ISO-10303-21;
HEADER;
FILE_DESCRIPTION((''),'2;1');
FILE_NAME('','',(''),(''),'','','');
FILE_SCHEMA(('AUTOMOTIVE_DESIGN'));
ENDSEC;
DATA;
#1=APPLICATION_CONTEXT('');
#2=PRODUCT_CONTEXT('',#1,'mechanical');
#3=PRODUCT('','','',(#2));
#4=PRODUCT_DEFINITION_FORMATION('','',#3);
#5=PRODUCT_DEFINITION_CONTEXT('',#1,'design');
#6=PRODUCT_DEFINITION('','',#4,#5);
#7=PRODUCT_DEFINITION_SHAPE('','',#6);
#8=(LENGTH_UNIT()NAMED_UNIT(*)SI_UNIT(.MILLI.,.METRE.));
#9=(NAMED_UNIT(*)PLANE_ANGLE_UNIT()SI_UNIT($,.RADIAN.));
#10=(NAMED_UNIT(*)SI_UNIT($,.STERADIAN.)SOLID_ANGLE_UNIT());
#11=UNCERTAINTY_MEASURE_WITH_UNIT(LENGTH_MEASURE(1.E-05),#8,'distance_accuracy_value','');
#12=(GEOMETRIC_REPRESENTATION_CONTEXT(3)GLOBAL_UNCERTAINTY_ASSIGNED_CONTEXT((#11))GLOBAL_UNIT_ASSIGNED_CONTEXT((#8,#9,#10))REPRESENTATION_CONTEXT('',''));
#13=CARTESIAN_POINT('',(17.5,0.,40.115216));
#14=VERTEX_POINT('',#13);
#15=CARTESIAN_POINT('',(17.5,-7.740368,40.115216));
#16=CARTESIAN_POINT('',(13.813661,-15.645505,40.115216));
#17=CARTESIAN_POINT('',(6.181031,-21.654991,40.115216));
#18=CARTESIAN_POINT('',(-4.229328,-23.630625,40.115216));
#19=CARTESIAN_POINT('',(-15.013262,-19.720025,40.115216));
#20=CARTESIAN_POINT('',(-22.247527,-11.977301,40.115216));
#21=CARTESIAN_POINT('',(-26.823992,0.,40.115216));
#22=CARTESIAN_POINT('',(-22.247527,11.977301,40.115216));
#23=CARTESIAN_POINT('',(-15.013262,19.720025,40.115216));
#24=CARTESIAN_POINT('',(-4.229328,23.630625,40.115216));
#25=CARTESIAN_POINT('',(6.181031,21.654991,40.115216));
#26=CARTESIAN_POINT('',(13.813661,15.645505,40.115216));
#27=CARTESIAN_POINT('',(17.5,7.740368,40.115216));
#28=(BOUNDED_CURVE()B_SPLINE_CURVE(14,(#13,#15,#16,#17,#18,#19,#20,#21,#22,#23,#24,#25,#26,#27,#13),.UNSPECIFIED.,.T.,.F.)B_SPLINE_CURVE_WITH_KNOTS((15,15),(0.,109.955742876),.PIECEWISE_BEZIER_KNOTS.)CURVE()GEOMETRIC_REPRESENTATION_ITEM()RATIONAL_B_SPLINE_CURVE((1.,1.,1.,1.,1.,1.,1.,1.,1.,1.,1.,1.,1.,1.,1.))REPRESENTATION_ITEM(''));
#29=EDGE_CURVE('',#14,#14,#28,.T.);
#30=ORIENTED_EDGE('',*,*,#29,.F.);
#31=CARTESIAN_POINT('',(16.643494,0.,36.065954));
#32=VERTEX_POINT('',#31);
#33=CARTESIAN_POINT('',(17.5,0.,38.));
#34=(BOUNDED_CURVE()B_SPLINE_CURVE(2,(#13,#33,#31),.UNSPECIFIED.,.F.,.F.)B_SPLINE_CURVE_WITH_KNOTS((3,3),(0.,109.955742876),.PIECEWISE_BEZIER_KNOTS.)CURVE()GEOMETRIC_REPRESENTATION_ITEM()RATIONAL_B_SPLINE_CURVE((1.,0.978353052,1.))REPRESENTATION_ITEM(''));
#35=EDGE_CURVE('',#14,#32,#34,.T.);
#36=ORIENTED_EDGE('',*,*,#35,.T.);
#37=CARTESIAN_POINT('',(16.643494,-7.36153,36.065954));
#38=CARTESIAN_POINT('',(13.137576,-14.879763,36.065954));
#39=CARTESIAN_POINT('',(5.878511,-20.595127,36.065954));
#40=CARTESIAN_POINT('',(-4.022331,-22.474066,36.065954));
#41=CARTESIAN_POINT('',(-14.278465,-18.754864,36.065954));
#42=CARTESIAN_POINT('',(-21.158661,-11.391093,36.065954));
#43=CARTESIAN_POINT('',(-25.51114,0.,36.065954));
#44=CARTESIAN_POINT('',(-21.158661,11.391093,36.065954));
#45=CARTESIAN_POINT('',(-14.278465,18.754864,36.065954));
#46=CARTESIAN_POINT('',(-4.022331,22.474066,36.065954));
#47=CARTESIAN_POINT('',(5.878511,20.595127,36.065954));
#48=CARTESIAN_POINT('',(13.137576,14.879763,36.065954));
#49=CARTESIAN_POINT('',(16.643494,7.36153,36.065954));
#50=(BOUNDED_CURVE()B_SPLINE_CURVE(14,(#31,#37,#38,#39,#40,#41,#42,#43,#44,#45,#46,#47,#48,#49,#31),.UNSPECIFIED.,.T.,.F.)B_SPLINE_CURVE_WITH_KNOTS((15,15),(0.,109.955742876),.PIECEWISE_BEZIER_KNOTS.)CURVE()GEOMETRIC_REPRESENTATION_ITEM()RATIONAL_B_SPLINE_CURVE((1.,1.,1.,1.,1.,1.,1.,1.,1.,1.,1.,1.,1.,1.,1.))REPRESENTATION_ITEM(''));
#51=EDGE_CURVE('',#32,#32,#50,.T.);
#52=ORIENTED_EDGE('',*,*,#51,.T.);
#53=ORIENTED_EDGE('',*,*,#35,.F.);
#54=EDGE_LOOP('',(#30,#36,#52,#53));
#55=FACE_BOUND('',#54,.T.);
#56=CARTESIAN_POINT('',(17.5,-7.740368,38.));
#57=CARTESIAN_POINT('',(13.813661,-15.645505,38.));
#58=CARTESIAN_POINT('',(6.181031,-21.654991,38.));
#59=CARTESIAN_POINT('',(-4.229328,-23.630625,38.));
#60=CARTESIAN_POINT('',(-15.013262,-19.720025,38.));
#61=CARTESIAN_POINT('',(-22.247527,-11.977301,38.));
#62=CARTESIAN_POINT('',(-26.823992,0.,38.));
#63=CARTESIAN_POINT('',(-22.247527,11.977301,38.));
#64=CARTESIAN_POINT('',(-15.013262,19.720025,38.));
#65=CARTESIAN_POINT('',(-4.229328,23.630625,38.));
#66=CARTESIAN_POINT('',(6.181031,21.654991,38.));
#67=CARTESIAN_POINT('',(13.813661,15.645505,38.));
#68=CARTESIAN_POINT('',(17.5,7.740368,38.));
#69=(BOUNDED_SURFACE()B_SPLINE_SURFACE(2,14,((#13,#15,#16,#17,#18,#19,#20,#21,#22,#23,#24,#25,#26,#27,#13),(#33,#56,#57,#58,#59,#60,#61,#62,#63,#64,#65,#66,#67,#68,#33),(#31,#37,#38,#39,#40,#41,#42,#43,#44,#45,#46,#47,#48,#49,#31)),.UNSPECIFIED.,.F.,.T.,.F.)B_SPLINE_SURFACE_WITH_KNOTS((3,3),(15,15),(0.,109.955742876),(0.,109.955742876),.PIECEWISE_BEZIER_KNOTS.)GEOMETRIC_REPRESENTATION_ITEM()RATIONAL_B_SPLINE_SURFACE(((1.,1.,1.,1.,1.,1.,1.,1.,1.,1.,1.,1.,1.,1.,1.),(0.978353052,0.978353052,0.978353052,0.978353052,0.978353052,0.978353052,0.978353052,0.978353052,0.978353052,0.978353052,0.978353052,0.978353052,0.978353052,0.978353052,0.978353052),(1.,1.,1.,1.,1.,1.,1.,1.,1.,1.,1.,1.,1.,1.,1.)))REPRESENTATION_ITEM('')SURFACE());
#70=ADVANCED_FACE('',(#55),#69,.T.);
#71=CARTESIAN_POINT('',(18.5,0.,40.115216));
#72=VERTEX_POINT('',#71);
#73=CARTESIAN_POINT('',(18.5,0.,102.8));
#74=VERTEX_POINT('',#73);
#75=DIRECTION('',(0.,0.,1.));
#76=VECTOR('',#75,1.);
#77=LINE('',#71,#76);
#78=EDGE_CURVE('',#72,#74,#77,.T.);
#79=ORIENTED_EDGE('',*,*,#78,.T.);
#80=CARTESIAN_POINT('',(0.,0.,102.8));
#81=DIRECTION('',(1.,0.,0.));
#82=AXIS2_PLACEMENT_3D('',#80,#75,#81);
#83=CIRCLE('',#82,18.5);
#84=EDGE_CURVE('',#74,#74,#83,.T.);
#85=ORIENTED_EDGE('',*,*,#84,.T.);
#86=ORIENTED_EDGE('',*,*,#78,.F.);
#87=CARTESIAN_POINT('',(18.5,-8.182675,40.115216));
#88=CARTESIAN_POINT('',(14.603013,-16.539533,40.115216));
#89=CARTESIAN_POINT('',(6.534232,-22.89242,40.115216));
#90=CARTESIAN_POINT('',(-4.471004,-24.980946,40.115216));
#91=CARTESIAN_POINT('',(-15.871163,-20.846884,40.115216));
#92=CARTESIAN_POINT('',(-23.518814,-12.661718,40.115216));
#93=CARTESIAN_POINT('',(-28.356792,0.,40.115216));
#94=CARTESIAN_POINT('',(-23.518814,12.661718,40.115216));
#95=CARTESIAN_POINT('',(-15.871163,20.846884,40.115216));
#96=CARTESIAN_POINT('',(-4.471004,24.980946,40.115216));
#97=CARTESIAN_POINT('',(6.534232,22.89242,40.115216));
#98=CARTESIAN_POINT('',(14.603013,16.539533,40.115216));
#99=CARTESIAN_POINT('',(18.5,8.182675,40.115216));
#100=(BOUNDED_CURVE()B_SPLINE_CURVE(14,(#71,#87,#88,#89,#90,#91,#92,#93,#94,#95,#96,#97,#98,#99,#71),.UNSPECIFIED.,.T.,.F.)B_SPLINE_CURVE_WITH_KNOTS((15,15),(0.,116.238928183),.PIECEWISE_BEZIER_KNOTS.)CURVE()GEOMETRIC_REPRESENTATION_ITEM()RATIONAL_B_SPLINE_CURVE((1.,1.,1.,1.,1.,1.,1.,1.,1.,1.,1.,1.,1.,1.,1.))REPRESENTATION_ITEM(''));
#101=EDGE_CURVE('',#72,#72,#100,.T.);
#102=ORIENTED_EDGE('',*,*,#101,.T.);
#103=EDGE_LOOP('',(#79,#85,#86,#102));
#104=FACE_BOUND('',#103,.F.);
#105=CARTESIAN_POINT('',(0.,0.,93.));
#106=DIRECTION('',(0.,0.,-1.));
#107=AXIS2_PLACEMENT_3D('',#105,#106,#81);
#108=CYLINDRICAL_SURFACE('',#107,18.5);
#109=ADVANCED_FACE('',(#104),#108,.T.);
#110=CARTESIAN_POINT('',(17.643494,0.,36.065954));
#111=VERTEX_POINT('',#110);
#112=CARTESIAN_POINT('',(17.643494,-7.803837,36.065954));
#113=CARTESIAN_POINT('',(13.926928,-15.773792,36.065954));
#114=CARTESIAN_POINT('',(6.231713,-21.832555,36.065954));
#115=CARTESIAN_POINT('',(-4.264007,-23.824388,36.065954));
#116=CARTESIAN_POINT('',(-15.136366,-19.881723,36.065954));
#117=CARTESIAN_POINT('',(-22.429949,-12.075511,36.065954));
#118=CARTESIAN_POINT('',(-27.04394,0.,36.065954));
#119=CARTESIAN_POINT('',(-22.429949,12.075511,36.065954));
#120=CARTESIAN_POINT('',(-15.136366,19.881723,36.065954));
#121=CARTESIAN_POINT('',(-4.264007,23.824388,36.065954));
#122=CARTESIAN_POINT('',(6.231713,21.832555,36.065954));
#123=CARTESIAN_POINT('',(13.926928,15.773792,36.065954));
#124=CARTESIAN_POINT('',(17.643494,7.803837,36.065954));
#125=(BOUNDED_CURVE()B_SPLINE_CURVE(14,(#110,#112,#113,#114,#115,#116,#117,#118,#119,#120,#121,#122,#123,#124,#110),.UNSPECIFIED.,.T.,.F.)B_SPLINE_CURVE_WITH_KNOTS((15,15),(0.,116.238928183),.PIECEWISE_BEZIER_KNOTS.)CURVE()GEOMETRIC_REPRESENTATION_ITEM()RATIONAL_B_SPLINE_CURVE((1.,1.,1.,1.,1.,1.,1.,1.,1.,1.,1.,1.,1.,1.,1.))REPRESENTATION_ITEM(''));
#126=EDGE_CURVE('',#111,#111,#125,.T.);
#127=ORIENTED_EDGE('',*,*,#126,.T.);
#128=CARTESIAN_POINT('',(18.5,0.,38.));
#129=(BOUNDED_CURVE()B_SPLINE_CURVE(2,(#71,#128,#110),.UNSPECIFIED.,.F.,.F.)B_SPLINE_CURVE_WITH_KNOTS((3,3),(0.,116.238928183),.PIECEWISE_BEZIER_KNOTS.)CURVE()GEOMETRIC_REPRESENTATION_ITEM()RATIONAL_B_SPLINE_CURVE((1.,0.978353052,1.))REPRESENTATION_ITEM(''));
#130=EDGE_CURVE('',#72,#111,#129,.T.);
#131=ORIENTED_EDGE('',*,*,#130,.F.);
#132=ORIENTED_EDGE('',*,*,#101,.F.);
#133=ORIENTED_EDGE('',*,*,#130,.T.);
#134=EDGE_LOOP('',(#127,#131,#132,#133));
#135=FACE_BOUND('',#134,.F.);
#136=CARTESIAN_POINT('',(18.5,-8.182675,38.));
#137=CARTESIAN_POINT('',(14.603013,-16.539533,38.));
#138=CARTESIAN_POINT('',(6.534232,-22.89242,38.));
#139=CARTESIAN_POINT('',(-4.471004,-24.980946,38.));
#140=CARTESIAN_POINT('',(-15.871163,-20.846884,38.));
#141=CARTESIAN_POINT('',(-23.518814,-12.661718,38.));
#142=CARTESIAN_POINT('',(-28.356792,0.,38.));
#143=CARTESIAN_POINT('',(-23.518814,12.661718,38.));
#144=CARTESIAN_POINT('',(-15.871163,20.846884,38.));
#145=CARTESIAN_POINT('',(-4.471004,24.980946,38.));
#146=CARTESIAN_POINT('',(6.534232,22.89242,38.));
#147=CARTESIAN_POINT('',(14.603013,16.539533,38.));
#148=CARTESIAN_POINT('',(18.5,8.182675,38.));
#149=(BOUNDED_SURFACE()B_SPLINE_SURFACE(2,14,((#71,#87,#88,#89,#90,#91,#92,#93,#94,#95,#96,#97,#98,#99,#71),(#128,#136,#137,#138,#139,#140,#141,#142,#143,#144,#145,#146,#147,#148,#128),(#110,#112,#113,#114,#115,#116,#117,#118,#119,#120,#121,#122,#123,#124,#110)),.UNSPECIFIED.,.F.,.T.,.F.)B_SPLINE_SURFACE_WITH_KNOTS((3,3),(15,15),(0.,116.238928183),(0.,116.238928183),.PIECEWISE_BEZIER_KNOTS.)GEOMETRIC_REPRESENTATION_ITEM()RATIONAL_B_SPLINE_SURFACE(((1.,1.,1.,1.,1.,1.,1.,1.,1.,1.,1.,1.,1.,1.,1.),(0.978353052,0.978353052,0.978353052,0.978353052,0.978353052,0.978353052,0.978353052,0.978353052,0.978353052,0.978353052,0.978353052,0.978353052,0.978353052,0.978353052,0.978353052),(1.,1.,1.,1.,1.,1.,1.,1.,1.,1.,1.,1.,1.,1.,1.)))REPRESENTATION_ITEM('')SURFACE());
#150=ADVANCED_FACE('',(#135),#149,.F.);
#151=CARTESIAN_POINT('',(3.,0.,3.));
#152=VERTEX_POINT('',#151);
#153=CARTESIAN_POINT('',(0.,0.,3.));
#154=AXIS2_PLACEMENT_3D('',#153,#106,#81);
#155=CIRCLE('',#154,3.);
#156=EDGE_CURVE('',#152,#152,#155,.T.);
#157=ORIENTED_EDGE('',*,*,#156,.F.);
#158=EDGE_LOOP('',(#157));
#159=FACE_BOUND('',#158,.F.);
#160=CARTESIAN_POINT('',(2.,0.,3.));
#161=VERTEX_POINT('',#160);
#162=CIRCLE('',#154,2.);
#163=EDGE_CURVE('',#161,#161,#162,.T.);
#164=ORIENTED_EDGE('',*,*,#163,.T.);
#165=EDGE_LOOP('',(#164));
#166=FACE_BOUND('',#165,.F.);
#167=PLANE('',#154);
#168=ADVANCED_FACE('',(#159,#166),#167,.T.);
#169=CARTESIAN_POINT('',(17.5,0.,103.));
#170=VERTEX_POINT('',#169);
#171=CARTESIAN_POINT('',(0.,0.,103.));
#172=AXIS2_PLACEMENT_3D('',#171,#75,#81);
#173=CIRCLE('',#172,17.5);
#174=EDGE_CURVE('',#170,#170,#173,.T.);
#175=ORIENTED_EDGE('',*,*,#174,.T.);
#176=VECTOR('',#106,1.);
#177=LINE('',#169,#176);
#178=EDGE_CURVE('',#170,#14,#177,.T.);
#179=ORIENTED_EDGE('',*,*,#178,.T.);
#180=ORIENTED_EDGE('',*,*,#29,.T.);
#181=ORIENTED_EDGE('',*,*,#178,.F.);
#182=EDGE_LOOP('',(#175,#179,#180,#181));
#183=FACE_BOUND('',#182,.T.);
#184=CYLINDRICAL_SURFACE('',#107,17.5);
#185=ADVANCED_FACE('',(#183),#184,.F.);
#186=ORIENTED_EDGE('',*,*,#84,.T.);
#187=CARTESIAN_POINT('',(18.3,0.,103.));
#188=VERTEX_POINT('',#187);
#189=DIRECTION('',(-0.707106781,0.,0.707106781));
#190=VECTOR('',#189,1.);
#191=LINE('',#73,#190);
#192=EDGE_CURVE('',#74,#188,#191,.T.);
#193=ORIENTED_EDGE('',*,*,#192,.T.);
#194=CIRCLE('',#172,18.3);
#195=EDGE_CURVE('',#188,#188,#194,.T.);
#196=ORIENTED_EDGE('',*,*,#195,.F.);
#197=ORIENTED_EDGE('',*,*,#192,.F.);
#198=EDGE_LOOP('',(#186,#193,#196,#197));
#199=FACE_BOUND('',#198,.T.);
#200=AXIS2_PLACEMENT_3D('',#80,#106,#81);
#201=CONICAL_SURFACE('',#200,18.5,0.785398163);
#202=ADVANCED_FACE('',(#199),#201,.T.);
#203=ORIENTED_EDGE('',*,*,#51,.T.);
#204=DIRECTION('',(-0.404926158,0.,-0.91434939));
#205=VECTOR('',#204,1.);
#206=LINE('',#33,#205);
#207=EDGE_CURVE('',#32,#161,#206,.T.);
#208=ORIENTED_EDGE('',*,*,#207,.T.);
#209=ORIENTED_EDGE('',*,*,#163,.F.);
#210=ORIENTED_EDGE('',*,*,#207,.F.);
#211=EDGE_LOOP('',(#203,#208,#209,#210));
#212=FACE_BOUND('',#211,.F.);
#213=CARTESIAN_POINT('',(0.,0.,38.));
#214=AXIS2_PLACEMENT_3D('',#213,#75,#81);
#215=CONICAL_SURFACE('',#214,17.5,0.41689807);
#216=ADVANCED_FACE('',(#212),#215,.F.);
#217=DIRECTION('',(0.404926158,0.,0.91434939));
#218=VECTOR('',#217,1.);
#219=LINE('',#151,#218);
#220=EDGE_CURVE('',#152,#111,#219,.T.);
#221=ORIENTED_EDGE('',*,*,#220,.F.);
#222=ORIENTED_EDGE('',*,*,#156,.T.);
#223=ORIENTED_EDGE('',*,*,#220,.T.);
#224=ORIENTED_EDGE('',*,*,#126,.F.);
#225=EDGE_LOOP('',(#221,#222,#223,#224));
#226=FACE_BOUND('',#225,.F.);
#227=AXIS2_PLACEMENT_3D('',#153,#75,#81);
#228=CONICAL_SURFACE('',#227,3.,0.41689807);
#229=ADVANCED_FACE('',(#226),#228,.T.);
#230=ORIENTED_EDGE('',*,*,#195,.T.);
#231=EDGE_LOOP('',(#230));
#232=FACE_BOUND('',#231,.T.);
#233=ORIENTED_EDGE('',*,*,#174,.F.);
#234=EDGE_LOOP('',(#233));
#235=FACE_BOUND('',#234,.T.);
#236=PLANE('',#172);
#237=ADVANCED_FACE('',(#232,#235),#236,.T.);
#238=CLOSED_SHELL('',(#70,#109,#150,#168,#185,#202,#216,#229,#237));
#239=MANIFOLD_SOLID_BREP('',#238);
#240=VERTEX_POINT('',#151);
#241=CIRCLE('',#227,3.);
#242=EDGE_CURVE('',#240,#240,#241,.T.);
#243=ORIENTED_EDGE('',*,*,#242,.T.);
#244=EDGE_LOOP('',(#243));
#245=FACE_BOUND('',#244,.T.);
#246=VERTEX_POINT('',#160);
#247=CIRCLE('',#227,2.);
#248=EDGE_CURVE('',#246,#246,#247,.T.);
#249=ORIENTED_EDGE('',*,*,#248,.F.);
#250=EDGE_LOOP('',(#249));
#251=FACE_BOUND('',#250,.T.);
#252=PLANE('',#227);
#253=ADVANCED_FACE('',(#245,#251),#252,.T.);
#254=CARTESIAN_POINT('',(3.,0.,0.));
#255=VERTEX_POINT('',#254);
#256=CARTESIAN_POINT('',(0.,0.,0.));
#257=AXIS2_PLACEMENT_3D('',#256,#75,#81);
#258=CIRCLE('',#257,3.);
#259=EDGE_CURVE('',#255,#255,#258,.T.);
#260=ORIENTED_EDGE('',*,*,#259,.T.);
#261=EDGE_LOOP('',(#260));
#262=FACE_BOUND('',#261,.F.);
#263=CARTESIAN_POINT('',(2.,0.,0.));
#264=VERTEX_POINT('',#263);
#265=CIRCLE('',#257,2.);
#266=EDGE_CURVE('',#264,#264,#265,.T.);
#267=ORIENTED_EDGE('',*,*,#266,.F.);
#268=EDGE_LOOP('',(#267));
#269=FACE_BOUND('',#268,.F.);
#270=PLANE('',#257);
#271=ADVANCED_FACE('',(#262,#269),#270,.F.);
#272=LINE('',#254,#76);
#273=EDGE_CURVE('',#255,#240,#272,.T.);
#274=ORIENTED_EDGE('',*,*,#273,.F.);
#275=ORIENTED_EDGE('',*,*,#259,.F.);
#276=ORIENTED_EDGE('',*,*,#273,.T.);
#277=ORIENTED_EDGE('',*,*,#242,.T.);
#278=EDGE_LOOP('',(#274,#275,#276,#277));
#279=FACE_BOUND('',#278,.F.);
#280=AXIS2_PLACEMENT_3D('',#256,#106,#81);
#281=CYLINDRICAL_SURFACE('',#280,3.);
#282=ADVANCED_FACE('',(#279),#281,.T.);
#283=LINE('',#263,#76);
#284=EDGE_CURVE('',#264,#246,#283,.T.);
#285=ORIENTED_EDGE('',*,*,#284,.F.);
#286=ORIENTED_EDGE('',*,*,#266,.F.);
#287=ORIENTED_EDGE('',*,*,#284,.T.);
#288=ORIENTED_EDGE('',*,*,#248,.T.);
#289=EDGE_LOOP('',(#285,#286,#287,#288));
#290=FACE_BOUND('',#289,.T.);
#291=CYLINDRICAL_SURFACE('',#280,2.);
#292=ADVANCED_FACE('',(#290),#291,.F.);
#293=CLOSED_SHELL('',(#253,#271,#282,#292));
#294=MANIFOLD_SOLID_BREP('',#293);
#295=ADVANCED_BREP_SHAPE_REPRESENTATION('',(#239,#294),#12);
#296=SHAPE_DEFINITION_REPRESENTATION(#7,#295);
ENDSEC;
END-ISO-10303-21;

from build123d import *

# Parameters (mm, degrees)
F0_R      = 3
F0_R_2    = 2
F1_DEPTH  = 3
F7_R      = 18.5
F7_R_2    = 17.5
F8_DEPTH  = 55
F9_R      = 10
F10_R     = 18.5
F10_R_2   = 17.5
F11_DEPTH = 10
F12_SIZE  = 0.2


with BuildPart() as f1:
    # F0 (on Top) → F1 (new body)
    with BuildSketch(Plane.XY):
        Circle(F0_R)
        Circle(F0_R_2, mode=Mode.SUBTRACT)
    extrude(amount=F1_DEPTH)


with BuildPart() as f6:
    # F5 (on Front) → F6 (revolve)
    with BuildSketch(Plane.XZ):
        Polygon((2, 3), (3, 3), (18.5, 38), (17.5, 38), align=None)
    revolve(axis=Axis((0, 0, 13.0933627952), (0, 0, -1)))

    # F7 (on face) → F8 (join)
    with BuildSketch(Plane.XY.offset(38)):
        Circle(F7_R)
        Circle(F7_R_2, mode=Mode.SUBTRACT)
    extrude(amount=F8_DEPTH)

    # F9
    f9_edges = [f6.edges().sort_by_distance(p)[0] for p in [
        (-18.5, 0, 38),
        (-17.5, 0, 38),
    ]]
    fillet(f9_edges, radius=F9_R)

    # F10 (on face) → F11 (join)
    with BuildSketch(Plane.XY.offset(93)):
        Circle(F10_R)
        Circle(F10_R_2, mode=Mode.SUBTRACT)
    extrude(amount=F11_DEPTH)

    # F12
    f12_edges = [f6.edges().sort_by_distance(p)[0] for p in [
        (-18.5, 0, 103),
    ]]
    chamfer(f12_edges, length=F12_SIZE)


solid = Compound([f1.part, f6.part])
